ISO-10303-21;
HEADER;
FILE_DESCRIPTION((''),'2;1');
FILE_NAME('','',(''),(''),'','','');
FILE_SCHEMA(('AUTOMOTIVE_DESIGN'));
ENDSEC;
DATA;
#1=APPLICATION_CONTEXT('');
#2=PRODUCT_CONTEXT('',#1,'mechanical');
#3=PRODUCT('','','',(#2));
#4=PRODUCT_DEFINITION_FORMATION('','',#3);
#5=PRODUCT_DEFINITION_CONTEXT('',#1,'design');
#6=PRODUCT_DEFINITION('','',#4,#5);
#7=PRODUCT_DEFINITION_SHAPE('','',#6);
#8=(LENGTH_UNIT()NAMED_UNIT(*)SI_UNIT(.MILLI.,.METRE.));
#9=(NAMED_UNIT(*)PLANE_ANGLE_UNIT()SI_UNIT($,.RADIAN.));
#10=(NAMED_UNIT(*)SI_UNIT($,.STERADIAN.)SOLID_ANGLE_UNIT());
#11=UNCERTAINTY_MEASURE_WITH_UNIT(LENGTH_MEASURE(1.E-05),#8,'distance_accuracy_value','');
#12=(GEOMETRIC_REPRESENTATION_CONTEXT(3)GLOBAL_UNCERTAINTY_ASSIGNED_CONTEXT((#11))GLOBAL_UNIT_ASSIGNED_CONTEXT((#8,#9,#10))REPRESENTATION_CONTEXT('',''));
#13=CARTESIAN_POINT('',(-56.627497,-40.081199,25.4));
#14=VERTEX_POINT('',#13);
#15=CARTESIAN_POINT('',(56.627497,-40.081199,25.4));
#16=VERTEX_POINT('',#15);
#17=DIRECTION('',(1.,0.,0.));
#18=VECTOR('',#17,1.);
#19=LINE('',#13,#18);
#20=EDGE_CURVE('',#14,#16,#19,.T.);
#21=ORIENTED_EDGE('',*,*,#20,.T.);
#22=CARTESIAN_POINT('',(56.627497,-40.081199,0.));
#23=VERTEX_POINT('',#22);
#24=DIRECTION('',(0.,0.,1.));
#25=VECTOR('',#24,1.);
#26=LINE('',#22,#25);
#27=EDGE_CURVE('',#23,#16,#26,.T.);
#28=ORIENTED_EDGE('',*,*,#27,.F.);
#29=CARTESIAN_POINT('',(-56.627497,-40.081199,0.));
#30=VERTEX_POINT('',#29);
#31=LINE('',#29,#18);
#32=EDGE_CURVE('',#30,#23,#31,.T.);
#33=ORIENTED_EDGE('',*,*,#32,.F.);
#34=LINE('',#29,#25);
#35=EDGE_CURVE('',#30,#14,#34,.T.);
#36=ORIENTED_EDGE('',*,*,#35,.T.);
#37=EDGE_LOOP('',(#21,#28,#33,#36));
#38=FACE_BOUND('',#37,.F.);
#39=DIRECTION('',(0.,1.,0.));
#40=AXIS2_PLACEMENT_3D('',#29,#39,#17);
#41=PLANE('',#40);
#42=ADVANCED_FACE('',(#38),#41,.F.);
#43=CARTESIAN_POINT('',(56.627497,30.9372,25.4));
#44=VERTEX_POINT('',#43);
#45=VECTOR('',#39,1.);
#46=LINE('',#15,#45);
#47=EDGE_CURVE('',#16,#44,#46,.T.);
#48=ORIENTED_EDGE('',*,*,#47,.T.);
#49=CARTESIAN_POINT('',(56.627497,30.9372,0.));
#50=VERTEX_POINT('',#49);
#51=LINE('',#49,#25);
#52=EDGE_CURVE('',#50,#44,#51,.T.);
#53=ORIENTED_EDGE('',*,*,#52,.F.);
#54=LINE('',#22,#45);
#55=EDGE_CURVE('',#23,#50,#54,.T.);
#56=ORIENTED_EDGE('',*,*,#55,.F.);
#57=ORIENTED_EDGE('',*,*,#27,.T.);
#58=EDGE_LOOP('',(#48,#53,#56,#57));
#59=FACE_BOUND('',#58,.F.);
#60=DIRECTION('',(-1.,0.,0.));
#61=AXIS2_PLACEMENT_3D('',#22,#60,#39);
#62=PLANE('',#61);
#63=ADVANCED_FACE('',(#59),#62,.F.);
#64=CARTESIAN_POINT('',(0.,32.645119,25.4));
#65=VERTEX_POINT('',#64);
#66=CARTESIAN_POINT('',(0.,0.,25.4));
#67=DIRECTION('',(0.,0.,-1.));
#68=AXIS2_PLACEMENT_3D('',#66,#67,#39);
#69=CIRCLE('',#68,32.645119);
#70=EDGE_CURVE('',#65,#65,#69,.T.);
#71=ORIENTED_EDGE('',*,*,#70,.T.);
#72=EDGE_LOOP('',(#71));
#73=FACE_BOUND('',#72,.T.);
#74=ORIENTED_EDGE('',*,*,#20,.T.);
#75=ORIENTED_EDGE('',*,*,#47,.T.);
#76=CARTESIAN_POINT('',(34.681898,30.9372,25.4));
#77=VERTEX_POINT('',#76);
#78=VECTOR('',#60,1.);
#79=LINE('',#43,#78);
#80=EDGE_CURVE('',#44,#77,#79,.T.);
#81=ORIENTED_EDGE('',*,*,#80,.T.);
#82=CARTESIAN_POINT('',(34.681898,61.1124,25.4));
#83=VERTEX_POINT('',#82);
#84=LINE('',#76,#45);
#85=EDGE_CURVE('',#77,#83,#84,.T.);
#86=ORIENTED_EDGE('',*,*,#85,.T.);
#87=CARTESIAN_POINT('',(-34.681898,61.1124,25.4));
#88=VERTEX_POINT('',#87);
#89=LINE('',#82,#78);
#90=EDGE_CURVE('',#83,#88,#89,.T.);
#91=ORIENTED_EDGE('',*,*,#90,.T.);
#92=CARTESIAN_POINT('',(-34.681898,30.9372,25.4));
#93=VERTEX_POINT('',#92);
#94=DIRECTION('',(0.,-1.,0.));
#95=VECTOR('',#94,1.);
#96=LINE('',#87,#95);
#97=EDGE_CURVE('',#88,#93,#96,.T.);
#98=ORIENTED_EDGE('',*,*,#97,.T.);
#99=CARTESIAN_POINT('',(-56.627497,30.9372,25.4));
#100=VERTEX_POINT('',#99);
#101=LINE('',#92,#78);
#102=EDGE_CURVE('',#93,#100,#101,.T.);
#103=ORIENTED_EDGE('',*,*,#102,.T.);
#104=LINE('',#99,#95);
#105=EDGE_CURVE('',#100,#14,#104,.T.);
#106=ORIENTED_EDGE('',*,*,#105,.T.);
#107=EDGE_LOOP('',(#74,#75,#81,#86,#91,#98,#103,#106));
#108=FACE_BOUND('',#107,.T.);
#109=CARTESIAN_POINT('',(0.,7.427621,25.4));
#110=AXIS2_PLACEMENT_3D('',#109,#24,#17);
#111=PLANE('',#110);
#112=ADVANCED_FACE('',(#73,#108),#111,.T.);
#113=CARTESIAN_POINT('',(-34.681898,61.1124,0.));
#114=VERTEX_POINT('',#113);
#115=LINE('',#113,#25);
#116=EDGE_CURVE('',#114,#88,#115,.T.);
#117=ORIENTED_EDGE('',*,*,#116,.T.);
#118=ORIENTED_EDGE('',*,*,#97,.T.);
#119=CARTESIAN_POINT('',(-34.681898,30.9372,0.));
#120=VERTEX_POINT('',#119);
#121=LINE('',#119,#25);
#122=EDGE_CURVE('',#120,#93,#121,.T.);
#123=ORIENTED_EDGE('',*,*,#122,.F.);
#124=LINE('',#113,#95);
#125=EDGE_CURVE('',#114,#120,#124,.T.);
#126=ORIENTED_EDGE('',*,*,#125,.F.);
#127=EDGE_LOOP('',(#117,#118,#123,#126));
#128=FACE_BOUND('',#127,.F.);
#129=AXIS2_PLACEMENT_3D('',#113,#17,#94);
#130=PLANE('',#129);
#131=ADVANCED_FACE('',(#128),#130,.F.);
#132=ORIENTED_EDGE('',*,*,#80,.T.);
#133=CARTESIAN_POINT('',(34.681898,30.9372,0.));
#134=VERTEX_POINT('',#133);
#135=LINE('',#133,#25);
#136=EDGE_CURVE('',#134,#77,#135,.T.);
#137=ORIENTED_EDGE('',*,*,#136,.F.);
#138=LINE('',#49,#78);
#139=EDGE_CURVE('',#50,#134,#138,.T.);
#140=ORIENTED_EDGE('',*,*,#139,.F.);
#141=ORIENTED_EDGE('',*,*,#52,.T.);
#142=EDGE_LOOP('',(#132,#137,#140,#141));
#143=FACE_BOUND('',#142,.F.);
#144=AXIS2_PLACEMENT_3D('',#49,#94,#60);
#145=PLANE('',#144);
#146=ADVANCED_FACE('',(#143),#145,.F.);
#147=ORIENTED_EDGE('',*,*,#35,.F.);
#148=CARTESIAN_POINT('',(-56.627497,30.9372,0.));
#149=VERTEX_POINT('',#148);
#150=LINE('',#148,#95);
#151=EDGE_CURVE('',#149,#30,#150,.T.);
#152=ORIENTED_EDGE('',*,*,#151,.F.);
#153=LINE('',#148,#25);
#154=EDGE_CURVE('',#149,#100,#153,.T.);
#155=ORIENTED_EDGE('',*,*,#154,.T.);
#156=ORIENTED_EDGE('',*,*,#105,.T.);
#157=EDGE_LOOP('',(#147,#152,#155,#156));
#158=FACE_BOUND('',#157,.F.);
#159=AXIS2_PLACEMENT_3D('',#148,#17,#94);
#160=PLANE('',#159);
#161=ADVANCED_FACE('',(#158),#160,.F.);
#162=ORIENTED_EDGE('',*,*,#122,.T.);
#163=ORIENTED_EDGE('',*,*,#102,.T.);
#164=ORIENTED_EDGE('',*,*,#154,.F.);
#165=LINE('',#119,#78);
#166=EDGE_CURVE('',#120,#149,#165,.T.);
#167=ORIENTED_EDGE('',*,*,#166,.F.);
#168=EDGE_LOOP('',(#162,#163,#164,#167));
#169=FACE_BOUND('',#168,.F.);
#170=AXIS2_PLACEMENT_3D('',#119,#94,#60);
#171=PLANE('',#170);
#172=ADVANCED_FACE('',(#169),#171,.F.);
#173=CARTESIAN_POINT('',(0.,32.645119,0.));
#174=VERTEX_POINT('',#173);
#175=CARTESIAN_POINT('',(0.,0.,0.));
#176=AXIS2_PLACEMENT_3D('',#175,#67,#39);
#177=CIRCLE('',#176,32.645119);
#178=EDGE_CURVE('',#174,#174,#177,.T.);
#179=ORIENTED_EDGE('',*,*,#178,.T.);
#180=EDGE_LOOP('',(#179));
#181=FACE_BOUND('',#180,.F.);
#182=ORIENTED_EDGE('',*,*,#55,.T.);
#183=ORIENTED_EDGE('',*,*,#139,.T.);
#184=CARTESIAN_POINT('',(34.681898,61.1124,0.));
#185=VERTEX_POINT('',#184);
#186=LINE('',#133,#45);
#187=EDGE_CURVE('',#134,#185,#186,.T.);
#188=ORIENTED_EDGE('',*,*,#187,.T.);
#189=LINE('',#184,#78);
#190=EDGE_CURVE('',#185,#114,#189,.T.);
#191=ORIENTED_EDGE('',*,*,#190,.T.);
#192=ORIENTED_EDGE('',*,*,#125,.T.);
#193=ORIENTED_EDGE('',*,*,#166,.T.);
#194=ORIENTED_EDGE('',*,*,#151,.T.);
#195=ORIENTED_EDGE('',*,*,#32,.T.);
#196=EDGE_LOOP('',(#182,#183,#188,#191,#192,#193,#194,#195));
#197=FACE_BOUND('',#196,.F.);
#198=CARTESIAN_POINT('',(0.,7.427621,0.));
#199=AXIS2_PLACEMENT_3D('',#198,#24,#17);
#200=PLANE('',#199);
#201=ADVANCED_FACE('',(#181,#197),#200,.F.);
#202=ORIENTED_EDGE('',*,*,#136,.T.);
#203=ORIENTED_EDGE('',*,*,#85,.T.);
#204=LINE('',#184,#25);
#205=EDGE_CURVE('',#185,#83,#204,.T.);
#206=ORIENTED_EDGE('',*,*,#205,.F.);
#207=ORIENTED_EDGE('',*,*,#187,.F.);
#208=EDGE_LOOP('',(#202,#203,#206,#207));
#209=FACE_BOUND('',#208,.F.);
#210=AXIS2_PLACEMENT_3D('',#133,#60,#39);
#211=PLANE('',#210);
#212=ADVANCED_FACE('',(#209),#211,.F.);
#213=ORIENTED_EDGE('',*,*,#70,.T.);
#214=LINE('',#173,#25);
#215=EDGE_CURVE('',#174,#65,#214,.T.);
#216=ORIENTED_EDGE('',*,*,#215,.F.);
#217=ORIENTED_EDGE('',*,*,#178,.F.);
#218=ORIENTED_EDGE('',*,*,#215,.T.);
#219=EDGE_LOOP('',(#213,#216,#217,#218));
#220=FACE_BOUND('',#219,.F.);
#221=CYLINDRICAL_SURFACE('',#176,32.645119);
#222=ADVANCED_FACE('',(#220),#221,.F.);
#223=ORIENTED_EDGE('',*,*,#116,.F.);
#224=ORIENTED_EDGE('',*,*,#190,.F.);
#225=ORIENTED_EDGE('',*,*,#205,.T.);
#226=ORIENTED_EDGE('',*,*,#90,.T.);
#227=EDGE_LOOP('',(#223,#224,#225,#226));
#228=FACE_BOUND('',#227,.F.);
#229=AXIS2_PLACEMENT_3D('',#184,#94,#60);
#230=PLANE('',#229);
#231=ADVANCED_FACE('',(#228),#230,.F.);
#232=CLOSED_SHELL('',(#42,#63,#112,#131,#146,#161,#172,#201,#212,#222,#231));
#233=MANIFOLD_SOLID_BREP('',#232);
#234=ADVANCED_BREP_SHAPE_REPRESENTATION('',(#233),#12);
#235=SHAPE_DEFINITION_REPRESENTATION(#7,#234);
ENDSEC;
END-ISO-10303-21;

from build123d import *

# Parameters (mm, degrees)
F1_DEPTH = 25.4
F2_DEPTH = 25.4


with BuildPart() as f1:
    # F0 (on Top) → F1 (new body)
    with BuildSketch(Plane.XY):
        Polygon((-34.6818976104, 30.9372004122), (-56.627497077, 30.9372004122), (-56.627497077, -40.0811992586), (0, -40.0811992586), (56.627497077, -40.0811992586), (56.627497077, 30.9372004122), (34.6818976104, 30.9372004122), (34.6818976104, 61.1124001443), (0, 61.1124001443), (-34.6818976104, 61.1124001443), align=None)
        with BuildLine():
            ThreePointArc((0, -32.6451188582), (-32.6451188582, 0), (0, 32.6451188582))
            ThreePointArc((0, 32.6451188582), (32.6451188582, 0), (0, -32.6451188582))
        make_face(mode=Mode.SUBTRACT)
    extrude(amount=F1_DEPTH)

    # F0 (on Top) → F2 (join)
    with BuildSketch(Plane.XY):
        Polygon((-34.6818976104, 30.9372004122), (-56.627497077, 30.9372004122), (-56.627497077, -40.0811992586), (0, -40.0811992586), (56.627497077, -40.0811992586), (56.627497077, 30.9372004122), (34.6818976104, 30.9372004122), (34.6818976104, 61.1124001443), (0, 61.1124001443), (-34.6818976104, 61.1124001443), align=None)
        with BuildLine():
            ThreePointArc((0, -32.6451188582), (-32.6451188582, 0), (0, 32.6451188582))
            ThreePointArc((0, 32.6451188582), (32.6451188582, 0), (0, -32.6451188582))
        make_face(mode=Mode.SUBTRACT)
    extrude(amount=F2_DEPTH)


solid = f1.part
